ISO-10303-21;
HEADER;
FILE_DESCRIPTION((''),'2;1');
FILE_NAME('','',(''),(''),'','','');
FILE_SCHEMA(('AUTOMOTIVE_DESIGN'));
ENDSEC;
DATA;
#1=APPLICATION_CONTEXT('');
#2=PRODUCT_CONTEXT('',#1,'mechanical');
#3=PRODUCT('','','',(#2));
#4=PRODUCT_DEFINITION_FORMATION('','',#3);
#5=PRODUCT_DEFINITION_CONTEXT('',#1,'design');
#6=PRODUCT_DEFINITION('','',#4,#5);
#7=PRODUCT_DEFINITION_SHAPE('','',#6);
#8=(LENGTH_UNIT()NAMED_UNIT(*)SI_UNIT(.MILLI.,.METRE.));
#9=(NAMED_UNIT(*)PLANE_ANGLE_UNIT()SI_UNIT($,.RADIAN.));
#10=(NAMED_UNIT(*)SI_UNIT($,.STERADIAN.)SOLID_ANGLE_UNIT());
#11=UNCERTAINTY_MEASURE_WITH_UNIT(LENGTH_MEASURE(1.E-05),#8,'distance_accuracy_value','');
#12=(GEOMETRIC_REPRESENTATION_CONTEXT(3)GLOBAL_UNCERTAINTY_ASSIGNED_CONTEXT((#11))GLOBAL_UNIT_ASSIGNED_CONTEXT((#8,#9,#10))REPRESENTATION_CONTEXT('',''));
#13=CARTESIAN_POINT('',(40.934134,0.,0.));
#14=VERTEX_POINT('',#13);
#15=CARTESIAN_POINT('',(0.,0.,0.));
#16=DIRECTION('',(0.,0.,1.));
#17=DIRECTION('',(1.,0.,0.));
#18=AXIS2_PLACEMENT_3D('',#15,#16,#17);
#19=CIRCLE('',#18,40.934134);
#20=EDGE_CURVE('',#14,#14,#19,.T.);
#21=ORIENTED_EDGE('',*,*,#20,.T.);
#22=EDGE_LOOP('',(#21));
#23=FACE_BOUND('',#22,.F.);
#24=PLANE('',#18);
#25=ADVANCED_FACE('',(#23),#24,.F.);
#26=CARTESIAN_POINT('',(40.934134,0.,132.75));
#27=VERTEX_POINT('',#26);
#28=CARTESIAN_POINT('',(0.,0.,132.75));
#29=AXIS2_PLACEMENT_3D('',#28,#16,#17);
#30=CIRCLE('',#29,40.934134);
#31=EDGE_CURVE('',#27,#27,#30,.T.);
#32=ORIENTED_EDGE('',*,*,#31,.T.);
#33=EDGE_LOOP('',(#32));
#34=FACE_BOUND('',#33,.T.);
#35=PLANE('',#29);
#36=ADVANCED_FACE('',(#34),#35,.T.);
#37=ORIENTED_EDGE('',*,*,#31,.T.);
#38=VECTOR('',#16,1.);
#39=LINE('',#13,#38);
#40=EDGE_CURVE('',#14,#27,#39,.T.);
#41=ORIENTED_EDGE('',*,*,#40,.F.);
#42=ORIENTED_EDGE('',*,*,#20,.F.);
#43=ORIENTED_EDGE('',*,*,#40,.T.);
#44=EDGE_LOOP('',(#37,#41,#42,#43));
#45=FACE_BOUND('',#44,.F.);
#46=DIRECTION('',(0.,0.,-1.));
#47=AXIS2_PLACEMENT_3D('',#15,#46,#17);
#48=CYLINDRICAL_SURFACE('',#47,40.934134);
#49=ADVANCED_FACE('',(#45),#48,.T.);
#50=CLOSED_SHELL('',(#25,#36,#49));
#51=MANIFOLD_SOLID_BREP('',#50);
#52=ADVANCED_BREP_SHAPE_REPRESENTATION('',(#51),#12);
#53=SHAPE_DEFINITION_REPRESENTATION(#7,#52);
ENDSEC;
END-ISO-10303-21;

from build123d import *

# Parameters (mm, degrees)
F0_R     = 40.934134
F0_R_2   = 33.487958
F0_R_3   = 22.192099
F0_R_4   = 5.78497
F1_DEPTH = 132.75
F2_DEPTH = 25


with BuildPart() as f1:
    # F0 (on Top) → F1 (new body)
    with BuildSketch(Plane.XY):
        Circle(F0_R)
        Circle(F0_R_2, mode=Mode.SUBTRACT)
        Circle(F0_R_2)
        Circle(F0_R_3, mode=Mode.SUBTRACT)
        Circle(F0_R_3)
        Circle(F0_R_4, mode=Mode.SUBTRACT)
        Circle(F0_R_4)
    extrude(amount=F1_DEPTH)

    # F0 (on Top) → F2 (join)
    with BuildSketch(Plane.XY):
        Circle(F0_R_4)
    extrude(amount=F2_DEPTH)


solid = f1.part
